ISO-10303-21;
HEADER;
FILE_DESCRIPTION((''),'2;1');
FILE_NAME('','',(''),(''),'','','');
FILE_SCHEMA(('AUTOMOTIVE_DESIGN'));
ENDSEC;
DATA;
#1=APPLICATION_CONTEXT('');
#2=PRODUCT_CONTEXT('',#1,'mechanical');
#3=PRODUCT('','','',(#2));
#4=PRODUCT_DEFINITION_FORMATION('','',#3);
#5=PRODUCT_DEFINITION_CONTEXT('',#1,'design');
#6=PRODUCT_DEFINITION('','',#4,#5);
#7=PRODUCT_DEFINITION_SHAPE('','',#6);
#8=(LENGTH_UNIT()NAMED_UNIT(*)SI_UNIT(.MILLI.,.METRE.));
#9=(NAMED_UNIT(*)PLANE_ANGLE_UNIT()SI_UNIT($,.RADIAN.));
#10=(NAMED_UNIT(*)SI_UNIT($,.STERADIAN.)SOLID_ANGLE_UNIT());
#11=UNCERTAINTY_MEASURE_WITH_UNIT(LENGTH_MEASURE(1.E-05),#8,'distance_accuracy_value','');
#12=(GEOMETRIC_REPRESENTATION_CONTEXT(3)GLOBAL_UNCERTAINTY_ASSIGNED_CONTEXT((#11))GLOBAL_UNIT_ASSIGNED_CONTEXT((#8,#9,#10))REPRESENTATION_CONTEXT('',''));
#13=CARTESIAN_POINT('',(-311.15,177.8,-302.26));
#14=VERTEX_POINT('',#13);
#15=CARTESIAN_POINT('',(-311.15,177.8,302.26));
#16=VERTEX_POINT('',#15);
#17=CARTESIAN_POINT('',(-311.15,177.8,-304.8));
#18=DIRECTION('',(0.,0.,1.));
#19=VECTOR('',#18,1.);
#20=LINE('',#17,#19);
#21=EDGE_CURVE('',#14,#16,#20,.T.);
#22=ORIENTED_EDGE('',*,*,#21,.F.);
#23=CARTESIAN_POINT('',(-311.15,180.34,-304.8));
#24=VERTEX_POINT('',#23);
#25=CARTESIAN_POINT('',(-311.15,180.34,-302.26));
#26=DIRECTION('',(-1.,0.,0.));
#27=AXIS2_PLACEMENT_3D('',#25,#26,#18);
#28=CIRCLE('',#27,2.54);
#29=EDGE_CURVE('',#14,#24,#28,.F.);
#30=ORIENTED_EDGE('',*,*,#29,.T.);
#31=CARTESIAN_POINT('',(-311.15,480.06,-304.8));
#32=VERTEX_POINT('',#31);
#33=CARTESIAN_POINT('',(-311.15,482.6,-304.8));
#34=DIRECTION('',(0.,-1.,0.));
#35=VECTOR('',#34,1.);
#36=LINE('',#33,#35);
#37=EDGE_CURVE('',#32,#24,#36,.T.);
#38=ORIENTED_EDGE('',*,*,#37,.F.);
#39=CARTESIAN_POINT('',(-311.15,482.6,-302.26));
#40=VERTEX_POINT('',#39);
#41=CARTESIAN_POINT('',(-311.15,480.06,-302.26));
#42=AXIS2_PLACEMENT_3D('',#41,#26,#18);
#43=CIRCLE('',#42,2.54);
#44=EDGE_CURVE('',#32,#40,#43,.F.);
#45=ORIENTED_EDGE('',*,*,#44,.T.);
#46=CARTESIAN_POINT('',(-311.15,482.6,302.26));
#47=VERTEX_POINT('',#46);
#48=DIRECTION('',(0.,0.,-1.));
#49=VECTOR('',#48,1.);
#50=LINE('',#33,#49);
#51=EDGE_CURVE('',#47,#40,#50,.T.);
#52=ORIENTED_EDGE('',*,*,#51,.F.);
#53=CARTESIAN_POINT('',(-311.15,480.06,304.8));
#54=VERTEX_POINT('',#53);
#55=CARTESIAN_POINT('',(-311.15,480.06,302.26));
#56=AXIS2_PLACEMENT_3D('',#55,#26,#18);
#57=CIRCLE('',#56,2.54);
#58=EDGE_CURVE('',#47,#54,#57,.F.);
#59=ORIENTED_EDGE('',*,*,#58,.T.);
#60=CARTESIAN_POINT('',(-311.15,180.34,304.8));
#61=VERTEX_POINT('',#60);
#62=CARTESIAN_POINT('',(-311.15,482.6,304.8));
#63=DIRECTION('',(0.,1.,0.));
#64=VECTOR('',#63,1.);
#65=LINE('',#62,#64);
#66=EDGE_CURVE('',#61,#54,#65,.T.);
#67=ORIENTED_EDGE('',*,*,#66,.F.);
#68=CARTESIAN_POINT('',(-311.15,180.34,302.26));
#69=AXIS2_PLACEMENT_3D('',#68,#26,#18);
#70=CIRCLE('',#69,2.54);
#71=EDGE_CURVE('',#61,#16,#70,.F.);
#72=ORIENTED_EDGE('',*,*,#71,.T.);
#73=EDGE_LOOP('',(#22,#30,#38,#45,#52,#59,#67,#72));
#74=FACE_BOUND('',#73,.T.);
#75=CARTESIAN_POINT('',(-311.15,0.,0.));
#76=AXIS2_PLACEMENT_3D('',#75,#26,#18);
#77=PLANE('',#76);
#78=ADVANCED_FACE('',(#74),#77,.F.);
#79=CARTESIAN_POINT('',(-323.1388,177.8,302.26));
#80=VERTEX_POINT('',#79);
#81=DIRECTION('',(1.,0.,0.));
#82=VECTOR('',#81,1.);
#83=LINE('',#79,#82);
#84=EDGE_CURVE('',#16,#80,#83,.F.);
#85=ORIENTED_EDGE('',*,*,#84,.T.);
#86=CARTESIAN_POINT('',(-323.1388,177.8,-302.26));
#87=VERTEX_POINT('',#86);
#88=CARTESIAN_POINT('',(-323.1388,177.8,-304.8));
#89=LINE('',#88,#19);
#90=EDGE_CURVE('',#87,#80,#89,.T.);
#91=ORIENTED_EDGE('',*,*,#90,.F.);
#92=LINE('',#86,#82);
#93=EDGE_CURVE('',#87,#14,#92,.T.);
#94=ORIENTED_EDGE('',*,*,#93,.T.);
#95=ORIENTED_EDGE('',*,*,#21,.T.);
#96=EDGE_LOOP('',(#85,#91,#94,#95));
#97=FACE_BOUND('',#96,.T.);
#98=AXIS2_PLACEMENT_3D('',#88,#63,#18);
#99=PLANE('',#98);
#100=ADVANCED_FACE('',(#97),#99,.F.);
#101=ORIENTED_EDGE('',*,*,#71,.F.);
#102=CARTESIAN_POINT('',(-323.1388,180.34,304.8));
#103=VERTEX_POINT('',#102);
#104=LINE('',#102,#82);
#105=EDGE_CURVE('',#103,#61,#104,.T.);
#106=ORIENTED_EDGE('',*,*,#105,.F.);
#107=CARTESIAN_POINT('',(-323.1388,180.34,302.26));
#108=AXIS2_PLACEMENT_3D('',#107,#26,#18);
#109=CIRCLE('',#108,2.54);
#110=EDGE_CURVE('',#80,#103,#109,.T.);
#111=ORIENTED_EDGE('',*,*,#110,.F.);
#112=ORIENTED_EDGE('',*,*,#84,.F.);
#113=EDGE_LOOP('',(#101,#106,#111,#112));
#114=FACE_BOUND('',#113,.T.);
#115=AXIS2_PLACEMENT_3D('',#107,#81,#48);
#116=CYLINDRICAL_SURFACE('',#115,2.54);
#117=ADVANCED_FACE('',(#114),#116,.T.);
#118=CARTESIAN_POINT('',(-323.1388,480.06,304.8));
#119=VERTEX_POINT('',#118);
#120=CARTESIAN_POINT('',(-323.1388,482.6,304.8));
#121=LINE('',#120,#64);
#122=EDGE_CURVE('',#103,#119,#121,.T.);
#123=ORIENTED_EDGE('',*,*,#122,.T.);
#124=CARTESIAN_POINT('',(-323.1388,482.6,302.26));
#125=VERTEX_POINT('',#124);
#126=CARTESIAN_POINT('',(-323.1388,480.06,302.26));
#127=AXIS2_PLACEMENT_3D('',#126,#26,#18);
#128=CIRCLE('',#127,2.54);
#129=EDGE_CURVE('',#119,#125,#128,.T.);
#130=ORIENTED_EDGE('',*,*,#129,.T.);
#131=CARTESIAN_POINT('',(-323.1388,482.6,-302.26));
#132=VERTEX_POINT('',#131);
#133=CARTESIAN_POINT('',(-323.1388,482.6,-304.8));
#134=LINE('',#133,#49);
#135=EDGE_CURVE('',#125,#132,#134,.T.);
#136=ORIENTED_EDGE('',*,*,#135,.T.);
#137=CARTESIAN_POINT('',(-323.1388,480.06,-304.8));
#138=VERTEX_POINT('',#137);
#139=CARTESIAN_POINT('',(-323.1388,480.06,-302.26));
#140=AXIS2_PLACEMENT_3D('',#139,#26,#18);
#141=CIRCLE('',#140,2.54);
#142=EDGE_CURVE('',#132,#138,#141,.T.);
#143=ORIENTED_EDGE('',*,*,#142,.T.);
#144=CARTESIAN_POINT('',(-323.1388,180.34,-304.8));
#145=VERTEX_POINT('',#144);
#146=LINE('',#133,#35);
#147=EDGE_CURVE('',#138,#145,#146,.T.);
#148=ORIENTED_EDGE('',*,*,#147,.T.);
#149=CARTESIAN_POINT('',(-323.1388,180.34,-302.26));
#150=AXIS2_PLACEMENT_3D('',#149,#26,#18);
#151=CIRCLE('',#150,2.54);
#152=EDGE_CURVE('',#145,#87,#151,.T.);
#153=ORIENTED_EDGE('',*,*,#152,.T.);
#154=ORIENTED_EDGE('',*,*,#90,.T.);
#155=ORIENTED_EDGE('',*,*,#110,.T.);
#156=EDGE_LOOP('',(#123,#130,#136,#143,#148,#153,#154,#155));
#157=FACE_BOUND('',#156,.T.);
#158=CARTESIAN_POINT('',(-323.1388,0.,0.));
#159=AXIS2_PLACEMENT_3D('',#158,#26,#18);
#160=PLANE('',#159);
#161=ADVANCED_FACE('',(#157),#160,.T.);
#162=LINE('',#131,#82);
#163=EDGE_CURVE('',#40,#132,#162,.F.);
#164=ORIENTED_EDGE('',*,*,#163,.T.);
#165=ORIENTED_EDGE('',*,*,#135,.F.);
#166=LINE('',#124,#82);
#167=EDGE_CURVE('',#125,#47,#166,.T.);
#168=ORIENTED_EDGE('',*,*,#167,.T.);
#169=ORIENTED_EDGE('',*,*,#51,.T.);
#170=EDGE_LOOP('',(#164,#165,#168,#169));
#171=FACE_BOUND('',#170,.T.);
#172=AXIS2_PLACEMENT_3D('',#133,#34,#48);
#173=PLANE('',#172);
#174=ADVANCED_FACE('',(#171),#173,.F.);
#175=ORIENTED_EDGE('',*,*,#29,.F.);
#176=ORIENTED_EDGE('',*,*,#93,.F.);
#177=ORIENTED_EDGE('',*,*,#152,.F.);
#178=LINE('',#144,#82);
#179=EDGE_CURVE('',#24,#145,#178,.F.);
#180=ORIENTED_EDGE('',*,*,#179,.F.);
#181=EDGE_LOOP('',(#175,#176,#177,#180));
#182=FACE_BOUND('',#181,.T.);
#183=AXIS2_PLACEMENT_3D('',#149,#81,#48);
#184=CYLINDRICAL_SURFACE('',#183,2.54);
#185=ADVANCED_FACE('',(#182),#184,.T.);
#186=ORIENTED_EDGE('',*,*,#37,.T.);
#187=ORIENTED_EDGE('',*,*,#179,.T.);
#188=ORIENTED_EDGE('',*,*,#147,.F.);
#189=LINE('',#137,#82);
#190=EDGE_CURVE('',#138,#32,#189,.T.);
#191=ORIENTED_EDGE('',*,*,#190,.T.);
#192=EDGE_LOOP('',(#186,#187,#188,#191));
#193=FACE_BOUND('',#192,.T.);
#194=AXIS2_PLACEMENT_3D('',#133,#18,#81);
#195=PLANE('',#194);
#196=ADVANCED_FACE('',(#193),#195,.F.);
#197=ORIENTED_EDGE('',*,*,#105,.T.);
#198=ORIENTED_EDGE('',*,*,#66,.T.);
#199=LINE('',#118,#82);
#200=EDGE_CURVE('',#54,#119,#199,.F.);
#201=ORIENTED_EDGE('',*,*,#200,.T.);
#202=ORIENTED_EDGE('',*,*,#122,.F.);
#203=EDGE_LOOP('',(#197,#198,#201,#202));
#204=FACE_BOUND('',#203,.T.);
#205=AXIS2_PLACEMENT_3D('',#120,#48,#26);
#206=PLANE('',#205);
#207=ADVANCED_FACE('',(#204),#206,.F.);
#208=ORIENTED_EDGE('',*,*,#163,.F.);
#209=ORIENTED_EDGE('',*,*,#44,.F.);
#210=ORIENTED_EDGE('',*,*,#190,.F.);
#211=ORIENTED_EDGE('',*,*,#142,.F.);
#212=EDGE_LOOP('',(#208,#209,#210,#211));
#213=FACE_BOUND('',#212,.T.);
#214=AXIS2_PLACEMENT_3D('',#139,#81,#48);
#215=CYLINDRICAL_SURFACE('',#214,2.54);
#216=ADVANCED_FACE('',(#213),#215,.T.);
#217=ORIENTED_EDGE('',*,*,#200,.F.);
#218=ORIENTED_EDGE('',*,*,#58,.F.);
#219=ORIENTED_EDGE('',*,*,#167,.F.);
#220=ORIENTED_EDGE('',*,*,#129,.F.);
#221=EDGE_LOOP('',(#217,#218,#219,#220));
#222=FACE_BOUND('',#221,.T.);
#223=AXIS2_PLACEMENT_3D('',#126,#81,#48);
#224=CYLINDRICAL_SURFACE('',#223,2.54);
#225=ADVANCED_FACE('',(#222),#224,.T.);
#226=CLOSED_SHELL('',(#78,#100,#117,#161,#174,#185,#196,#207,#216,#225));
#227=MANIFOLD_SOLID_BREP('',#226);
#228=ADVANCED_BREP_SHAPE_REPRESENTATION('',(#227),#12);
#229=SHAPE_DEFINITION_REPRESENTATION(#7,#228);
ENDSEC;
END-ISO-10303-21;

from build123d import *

# Parameters (mm, degrees)
SKETCH1_W           = 609.6
SKETCH1_H           = 304.8
BOSS_EXTRUDE1_DEPTH = 11.9888
FILLET1_R           = 2.54


with BuildPart() as part:
    # Sketch1 → Boss-Extrude1 (new body)
    with BuildSketch(Plane.ZY.offset(311.15)):
        with Locations((0, 330.2)):
            Rectangle(SKETCH1_W, SKETCH1_H)
    extrude(amount=BOSS_EXTRUDE1_DEPTH)

    # Fillet1
    fillet1_edges = [part.edges().sort_by_distance(p)[0] for p in [
        (-317.1444, 482.6, -304.8),
        (-317.1444, 482.6, 304.8),
        (-317.1444, 177.8, 304.8),
        (-317.1444, 177.8, -304.8),
    ]]
    fillet(fillet1_edges, radius=FILLET1_R)


solid = part.part
